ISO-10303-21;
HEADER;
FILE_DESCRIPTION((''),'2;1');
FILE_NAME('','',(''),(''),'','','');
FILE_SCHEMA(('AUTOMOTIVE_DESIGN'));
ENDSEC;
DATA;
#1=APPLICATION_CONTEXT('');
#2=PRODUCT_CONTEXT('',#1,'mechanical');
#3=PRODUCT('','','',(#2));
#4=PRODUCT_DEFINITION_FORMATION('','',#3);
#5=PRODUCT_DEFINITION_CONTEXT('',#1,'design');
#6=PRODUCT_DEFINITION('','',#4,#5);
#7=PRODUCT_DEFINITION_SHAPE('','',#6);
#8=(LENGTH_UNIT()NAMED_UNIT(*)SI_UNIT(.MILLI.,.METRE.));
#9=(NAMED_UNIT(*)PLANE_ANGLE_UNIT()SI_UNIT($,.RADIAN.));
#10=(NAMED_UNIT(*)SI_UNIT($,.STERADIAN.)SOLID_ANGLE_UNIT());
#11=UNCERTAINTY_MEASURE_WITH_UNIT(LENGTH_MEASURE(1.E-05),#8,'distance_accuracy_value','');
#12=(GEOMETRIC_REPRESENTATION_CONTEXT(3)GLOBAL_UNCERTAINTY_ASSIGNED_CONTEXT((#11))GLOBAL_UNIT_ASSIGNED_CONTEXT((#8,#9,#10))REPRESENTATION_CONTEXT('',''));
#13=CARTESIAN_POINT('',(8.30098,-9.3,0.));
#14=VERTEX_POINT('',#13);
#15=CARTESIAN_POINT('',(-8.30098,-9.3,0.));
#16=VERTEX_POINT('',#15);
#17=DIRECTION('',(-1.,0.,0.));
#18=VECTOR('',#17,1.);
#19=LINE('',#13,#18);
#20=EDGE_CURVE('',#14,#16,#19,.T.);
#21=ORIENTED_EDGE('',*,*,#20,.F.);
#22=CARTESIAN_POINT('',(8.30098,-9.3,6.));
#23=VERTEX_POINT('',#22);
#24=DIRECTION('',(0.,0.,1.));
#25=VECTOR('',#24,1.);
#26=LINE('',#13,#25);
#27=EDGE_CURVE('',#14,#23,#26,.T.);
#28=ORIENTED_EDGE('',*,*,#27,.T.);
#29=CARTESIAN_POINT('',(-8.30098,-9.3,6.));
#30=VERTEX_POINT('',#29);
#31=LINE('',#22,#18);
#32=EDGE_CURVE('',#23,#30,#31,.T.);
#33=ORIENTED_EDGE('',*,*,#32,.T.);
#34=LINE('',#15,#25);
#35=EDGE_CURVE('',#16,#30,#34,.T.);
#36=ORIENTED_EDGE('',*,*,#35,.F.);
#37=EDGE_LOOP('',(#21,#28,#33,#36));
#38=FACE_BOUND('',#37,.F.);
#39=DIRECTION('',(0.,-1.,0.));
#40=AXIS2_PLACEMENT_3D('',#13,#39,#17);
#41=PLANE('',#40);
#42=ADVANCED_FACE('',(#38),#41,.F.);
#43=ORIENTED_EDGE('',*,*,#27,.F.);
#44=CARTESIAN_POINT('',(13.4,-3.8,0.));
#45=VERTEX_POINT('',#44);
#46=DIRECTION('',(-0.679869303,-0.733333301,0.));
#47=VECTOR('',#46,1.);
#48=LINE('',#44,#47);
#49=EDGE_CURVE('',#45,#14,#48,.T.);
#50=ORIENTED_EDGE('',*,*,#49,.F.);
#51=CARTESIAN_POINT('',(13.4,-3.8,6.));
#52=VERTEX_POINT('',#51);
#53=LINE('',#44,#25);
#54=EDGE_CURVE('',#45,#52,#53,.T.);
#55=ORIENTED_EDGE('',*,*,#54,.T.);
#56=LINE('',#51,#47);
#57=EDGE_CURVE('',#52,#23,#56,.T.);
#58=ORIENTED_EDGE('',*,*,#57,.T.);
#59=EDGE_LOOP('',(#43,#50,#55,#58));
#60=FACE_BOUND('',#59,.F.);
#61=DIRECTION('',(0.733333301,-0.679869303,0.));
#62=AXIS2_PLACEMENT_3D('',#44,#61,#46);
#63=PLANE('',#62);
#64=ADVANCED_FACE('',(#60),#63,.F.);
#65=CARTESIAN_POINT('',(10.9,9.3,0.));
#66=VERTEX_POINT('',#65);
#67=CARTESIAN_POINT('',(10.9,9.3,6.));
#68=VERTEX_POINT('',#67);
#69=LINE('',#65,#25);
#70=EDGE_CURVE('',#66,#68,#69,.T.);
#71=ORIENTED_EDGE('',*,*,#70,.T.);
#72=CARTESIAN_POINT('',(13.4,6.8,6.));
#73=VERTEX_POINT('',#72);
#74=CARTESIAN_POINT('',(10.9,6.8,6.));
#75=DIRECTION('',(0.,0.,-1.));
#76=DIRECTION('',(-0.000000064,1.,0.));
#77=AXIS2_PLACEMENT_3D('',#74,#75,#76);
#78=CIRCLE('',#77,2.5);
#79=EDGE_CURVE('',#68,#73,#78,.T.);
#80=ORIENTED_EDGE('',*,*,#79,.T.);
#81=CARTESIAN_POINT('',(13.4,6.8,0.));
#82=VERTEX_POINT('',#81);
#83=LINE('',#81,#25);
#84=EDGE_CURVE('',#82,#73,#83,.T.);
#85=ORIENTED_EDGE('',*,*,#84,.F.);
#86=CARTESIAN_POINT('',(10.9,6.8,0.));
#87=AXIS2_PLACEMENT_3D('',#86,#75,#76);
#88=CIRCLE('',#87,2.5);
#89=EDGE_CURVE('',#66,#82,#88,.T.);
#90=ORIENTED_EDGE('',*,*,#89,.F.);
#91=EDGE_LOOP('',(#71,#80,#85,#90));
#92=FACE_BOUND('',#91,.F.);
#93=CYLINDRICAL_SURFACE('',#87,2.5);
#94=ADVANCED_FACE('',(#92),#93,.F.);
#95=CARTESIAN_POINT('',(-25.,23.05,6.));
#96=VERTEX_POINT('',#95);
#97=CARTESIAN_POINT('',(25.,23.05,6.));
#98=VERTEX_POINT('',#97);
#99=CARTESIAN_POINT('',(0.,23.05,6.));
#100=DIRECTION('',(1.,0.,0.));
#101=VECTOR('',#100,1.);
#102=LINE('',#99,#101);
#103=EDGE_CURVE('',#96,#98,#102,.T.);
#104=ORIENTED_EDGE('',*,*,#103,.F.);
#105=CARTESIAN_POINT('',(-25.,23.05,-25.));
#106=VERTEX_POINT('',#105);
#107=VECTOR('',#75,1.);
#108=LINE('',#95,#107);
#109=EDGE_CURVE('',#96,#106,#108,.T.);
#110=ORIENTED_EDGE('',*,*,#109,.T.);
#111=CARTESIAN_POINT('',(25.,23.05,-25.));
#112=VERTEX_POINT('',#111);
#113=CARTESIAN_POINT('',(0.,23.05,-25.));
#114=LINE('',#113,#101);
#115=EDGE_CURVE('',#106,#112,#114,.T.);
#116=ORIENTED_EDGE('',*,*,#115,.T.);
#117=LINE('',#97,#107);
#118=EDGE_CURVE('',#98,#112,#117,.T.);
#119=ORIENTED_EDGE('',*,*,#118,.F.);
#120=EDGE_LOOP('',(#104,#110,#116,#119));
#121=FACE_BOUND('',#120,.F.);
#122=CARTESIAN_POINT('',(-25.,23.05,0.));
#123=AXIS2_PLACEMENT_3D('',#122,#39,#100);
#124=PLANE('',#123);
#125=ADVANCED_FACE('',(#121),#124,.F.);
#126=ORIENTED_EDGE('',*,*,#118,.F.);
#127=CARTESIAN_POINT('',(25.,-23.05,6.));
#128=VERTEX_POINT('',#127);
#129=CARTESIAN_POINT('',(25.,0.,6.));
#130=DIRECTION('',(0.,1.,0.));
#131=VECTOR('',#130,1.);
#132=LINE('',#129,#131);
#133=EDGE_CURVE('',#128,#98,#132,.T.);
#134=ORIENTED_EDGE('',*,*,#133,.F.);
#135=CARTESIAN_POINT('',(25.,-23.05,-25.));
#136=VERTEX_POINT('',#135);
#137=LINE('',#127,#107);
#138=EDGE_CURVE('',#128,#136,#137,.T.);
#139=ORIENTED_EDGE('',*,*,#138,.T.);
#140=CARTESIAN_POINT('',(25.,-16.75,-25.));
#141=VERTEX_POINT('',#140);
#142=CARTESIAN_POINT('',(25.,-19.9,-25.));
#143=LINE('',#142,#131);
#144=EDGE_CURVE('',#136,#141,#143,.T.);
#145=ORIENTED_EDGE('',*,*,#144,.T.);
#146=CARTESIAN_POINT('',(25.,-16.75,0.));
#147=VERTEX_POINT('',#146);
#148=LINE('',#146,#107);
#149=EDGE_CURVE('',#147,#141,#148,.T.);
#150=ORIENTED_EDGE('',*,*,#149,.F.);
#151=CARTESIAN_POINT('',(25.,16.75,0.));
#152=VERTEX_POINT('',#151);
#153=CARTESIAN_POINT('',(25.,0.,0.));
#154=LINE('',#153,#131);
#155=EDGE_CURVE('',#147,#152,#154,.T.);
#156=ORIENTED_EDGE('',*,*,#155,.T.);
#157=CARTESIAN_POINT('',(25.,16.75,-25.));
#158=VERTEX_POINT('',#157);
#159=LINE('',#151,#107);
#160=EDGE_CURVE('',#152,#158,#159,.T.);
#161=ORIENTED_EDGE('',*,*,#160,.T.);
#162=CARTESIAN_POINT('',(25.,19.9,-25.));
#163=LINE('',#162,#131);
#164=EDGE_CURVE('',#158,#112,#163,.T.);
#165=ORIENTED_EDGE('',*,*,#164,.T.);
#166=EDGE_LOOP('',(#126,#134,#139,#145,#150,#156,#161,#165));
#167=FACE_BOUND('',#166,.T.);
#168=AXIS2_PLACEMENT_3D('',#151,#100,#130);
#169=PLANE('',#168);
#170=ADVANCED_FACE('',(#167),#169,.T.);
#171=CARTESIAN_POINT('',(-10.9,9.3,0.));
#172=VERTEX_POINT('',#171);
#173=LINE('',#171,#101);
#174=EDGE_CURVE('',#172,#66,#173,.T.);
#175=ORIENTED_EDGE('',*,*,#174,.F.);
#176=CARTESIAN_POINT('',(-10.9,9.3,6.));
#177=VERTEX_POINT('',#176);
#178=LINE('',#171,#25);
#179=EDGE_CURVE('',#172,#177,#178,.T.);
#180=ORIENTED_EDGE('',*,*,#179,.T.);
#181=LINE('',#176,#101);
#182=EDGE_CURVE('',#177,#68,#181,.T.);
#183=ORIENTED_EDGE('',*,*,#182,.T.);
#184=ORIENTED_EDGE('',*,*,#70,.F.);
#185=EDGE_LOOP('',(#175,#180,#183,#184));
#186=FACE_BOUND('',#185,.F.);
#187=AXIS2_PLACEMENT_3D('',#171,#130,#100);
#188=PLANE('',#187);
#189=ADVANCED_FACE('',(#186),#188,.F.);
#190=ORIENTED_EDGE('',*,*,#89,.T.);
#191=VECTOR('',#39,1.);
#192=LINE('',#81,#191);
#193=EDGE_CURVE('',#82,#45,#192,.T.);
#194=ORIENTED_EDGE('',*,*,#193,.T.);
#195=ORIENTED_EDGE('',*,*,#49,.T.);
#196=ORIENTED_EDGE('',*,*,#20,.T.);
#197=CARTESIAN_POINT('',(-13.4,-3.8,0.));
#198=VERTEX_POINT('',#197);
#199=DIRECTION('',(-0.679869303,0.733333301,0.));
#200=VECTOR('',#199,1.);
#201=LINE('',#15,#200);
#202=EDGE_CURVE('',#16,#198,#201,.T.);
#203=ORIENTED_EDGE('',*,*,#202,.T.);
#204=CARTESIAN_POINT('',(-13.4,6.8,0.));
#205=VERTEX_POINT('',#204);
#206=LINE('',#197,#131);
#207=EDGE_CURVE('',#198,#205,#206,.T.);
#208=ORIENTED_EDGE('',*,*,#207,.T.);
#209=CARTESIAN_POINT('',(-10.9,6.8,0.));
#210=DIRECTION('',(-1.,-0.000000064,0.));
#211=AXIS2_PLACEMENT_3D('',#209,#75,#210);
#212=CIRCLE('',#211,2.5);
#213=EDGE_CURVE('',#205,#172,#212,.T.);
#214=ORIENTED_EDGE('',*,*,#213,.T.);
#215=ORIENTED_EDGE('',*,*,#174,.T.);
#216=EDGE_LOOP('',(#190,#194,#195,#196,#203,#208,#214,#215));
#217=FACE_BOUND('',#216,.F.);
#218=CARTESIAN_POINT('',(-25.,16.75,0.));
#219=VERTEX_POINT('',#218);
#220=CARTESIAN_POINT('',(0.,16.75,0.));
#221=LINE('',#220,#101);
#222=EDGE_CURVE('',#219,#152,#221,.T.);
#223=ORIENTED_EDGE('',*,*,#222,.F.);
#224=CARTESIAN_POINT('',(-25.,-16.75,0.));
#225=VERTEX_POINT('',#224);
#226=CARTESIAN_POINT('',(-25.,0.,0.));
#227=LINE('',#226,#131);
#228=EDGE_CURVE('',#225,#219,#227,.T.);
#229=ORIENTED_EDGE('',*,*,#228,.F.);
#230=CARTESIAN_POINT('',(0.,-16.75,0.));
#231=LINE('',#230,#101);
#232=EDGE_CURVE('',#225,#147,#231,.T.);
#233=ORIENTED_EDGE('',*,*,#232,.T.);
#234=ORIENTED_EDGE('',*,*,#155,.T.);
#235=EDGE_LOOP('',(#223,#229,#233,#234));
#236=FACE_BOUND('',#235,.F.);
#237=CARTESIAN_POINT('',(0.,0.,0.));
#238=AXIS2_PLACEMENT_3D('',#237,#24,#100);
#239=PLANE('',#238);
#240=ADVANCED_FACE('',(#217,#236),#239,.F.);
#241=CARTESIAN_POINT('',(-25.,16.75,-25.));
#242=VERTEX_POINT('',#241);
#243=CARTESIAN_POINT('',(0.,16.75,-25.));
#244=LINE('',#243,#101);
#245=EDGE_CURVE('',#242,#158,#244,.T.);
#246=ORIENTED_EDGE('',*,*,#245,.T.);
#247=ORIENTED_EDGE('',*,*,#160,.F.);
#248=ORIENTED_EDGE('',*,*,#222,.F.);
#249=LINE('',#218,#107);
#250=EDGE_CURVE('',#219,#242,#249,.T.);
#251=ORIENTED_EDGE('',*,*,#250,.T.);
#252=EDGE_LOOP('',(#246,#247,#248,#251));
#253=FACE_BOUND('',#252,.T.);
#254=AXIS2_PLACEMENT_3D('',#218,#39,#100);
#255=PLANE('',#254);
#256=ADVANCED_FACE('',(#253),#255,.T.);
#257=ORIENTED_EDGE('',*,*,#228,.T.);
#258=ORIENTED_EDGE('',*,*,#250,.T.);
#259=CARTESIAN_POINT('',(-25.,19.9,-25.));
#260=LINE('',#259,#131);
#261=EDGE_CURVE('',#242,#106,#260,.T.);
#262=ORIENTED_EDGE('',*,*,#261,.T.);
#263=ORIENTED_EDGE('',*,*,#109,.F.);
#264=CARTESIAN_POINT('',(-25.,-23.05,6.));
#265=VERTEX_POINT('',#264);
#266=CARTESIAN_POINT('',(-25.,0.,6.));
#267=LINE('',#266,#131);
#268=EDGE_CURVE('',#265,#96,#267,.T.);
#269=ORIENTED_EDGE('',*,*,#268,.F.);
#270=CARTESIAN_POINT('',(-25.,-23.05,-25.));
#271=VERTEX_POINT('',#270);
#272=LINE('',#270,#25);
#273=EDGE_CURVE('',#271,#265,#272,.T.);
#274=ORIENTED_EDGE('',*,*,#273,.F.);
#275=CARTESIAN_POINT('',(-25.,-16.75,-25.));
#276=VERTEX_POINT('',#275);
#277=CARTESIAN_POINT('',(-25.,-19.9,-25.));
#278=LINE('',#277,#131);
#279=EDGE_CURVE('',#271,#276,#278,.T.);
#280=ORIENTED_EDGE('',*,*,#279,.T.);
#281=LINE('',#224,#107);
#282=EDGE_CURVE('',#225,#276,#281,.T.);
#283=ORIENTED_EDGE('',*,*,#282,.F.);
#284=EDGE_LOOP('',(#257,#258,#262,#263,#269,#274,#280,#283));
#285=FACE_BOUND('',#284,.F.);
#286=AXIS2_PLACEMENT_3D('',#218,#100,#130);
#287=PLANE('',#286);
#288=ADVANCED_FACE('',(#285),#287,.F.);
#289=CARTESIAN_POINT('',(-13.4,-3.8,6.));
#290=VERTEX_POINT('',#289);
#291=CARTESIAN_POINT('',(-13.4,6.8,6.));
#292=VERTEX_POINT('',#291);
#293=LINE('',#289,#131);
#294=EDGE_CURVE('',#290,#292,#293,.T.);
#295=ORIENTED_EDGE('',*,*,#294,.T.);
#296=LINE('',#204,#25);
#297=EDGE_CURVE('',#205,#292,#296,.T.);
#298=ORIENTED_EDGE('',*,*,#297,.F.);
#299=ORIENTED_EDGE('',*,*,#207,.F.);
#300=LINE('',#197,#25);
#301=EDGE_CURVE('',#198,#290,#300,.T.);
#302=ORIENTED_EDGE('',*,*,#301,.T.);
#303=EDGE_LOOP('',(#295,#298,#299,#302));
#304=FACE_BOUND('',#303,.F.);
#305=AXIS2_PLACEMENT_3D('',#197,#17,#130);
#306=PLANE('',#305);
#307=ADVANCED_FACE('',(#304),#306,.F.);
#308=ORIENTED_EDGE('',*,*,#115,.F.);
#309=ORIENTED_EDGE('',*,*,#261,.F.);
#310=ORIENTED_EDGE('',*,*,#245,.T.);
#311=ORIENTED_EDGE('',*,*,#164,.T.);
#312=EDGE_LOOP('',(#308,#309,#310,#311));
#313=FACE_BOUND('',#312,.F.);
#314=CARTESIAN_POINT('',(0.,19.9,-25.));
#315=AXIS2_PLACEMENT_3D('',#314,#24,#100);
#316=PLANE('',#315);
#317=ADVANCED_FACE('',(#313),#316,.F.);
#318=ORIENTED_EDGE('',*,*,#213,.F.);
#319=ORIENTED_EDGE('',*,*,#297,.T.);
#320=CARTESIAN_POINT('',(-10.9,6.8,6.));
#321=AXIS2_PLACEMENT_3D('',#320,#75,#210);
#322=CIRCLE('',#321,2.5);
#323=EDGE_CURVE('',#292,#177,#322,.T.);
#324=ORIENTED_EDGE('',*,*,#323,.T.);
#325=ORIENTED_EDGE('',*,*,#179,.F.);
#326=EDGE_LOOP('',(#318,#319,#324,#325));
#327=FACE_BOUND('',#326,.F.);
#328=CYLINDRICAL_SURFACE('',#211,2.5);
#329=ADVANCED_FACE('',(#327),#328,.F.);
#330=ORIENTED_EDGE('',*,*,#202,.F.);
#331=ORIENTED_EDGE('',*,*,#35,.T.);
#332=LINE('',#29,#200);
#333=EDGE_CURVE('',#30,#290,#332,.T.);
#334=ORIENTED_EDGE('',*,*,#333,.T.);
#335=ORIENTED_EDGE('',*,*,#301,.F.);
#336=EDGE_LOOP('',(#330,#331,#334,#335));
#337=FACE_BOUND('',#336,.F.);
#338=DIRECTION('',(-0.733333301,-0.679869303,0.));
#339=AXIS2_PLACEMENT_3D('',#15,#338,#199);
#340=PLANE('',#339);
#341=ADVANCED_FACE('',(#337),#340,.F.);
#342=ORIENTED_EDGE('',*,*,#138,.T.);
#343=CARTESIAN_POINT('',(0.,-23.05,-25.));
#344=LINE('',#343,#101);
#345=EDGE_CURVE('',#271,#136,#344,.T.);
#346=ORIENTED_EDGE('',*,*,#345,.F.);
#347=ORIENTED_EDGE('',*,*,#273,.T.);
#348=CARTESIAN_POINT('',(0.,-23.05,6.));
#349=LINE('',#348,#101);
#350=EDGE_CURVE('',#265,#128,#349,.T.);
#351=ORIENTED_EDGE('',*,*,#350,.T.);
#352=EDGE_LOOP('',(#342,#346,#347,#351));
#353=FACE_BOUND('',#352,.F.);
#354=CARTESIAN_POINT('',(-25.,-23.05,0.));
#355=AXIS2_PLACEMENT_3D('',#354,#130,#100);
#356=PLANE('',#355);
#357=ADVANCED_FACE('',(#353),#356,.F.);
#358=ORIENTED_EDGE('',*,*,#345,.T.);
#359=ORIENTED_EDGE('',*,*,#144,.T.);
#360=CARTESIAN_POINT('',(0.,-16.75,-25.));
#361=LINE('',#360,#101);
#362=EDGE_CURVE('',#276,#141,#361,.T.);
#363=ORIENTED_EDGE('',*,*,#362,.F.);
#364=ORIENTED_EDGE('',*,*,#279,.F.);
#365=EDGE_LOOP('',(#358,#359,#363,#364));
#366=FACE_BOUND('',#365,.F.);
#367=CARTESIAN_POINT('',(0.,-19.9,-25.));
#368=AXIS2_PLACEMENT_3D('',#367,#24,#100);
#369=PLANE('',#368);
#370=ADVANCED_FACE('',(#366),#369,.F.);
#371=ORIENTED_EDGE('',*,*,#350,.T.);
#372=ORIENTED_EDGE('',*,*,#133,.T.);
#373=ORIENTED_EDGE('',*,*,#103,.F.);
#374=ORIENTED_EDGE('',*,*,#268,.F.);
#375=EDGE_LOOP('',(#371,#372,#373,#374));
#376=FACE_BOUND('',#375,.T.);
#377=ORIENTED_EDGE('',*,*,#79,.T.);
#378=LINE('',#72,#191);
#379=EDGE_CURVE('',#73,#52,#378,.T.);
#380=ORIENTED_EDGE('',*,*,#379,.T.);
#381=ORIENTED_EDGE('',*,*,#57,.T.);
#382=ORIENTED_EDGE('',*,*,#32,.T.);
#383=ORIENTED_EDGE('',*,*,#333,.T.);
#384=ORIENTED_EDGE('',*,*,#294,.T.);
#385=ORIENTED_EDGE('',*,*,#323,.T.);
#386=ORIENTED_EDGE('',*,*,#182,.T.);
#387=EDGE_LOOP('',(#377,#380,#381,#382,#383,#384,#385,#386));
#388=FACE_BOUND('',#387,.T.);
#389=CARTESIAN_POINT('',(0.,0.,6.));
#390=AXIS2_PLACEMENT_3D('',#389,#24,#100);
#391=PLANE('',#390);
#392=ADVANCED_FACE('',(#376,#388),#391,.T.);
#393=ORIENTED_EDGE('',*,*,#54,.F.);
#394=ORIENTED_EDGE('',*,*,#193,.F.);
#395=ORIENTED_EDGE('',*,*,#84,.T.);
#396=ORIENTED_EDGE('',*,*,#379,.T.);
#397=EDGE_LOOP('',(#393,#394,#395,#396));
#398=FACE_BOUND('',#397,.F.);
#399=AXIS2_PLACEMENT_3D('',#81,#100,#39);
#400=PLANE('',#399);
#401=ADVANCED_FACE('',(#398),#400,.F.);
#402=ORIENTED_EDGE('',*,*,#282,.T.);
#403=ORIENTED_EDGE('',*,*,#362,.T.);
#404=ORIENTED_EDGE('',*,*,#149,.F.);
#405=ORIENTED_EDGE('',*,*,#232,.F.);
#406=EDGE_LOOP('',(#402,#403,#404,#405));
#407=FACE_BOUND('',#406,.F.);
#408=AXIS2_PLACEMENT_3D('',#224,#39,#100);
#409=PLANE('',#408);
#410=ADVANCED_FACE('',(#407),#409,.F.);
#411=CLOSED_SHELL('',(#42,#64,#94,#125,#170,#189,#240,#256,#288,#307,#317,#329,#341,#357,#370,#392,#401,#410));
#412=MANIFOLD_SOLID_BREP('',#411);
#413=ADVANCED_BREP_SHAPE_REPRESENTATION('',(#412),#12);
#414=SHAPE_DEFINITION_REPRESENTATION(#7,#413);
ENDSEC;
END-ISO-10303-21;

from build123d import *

# Parameters (mm, degrees)
F0_W     = 50
F0_H     = 46.1
F0_R     = 1.75
F1_DEPTH = 6
F2_W     = 50
F2_H     = 6.3
F3_DEPTH = 25


with BuildPart() as f1:
    # F0 (on Top) → F1 (new body)
    with BuildSketch(Plane.XY):
        Rectangle(F0_W, F0_H)
        with Locations((-19.95, 0)):
            Circle(F0_R, mode=Mode.SUBTRACT)
        with BuildLine():
            ThreePointArc((-13.4, 6.8), (-12.667767, 8.567767), (-10.9, 9.3))
            Line((-10.9, 9.3), (10.9, 9.3))
            ThreePointArc((10.9, 9.3), (12.667767, 8.567767), (13.4, 6.8))
            Line((13.4, 6.8), (13.4, -3.8))
            Line((13.4, -3.8), (8.30098, -9.3))
            Line((8.30098, -9.3), (-8.30098, -9.3))
            Line((-8.30098, -9.3), (-13.4, -3.8))
            Line((-13.4, -3.8), (-13.4, 6.8))
        make_face(mode=Mode.SUBTRACT)
        with Locations((19.95, 0)):
            Circle(F0_R, mode=Mode.SUBTRACT)
        with Locations((-19.95, 0)):
            Circle(F0_R)
        with Locations((19.95, 0)):
            Circle(F0_R)
    extrude(amount=F1_DEPTH)

    # F2 (on face) → F3 (join)
    with BuildSketch(Plane.XY):
        with Locations((0, 19.9)):
            Rectangle(F2_W, F2_H)
        with Locations((0, -19.9)):
            Rectangle(F2_W, F2_H)
    extrude(amount=-F3_DEPTH)


solid = f1.part
